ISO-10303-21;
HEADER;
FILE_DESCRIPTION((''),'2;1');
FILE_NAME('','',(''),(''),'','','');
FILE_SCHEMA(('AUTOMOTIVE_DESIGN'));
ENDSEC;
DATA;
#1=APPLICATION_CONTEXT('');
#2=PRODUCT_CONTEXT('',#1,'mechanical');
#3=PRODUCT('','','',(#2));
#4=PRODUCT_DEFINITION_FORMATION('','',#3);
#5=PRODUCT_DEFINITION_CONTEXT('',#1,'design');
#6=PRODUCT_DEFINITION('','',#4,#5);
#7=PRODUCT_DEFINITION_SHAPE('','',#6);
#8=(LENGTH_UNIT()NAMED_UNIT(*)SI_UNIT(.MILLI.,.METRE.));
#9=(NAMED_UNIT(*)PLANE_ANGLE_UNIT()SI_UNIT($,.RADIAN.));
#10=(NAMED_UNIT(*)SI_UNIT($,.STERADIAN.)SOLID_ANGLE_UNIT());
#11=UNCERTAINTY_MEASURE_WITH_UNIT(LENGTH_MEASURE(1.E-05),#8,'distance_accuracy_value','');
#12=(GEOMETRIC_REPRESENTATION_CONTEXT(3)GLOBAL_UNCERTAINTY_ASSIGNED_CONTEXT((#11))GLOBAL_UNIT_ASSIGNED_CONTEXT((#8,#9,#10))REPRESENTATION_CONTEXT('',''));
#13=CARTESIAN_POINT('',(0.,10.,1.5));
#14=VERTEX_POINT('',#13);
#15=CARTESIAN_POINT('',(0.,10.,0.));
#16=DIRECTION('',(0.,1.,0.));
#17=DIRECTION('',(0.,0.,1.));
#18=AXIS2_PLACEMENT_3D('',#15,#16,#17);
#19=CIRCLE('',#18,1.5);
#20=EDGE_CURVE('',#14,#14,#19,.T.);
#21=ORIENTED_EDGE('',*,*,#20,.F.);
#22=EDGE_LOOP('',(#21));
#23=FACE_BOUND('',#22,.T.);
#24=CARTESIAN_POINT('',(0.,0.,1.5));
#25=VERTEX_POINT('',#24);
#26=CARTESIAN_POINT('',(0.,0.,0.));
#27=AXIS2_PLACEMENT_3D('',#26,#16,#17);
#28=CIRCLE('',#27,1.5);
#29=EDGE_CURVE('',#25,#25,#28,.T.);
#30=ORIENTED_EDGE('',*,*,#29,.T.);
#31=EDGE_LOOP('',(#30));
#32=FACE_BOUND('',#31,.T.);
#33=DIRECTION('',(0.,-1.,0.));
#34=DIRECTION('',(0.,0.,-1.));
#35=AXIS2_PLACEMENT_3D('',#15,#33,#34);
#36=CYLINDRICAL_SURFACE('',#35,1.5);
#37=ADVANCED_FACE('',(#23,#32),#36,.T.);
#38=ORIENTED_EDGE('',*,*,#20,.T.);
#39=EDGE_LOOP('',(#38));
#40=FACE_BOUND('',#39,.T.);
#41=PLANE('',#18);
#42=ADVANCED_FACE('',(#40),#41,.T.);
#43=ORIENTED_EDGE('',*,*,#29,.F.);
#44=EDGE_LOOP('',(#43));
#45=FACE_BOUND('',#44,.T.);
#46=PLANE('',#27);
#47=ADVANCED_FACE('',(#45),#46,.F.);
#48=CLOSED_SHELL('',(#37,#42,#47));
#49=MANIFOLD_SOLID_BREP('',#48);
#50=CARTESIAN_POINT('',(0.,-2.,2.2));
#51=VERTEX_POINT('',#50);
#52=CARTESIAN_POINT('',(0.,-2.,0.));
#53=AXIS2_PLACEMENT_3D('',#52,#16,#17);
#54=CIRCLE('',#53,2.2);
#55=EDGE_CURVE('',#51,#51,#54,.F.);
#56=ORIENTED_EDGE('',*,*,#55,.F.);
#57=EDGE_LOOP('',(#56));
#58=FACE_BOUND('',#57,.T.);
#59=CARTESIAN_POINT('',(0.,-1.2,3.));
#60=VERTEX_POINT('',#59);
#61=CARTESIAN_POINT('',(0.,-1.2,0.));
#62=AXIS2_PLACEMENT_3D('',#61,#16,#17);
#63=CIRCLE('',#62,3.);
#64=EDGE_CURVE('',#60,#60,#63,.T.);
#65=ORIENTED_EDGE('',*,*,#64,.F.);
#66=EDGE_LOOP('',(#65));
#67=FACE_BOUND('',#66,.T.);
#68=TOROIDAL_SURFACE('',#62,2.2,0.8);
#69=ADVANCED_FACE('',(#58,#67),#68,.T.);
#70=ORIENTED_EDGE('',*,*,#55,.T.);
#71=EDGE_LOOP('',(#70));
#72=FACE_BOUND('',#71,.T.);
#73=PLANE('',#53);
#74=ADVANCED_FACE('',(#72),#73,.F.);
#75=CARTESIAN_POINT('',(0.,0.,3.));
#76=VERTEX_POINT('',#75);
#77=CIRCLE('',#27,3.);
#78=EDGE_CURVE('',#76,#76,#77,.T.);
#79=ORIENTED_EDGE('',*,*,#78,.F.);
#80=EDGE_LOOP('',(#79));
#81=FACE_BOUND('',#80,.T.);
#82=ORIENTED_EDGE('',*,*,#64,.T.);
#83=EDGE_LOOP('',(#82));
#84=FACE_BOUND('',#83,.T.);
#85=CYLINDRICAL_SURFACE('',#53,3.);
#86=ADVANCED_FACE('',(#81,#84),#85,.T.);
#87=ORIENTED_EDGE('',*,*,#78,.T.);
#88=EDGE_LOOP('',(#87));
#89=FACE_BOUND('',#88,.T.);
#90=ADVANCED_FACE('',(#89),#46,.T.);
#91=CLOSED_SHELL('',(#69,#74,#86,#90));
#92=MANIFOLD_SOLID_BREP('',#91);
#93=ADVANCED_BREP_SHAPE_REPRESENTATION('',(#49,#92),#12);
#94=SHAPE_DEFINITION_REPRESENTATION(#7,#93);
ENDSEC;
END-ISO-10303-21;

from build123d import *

# Parameters (mm, degrees)
ESBO_O1_R                = 1.5
RESSALTO_EXTRUS_O1_DEPTH = 10
ESBO_O1_3_R              = 3
RESSALTO_EXTRUS_O2_DEPTH = 2
FILETE1_R                = 0.8


with BuildPart() as part:
    # Esboço1 → Ressalto-extrusão1 (new body)
    with BuildSketch(Plane(origin=(0, 0, 0), x_dir=(1, 0, 0), z_dir=(0, 1, 0))):
        Circle(ESBO_O1_R)
    extrude(amount=RESSALTO_EXTRUS_O1_DEPTH)


with BuildPart() as body_2:
    # Esboço1<3> → Ressalto-extrusão2 (new body)
    with BuildSketch(Plane(origin=(0, 0, 0), x_dir=(1, 0, 0), z_dir=(0, 1, 0))):
        Circle(ESBO_O1_3_R)
    extrude(amount=-RESSALTO_EXTRUS_O2_DEPTH)

    # Filete1
    filete1_edges = [body_2.edges().sort_by_distance(p)[0] for p in [
        (-3, -2, 0),
    ]]
    fillet(filete1_edges, radius=FILETE1_R)


solid = Compound([part.part, body_2.part])
